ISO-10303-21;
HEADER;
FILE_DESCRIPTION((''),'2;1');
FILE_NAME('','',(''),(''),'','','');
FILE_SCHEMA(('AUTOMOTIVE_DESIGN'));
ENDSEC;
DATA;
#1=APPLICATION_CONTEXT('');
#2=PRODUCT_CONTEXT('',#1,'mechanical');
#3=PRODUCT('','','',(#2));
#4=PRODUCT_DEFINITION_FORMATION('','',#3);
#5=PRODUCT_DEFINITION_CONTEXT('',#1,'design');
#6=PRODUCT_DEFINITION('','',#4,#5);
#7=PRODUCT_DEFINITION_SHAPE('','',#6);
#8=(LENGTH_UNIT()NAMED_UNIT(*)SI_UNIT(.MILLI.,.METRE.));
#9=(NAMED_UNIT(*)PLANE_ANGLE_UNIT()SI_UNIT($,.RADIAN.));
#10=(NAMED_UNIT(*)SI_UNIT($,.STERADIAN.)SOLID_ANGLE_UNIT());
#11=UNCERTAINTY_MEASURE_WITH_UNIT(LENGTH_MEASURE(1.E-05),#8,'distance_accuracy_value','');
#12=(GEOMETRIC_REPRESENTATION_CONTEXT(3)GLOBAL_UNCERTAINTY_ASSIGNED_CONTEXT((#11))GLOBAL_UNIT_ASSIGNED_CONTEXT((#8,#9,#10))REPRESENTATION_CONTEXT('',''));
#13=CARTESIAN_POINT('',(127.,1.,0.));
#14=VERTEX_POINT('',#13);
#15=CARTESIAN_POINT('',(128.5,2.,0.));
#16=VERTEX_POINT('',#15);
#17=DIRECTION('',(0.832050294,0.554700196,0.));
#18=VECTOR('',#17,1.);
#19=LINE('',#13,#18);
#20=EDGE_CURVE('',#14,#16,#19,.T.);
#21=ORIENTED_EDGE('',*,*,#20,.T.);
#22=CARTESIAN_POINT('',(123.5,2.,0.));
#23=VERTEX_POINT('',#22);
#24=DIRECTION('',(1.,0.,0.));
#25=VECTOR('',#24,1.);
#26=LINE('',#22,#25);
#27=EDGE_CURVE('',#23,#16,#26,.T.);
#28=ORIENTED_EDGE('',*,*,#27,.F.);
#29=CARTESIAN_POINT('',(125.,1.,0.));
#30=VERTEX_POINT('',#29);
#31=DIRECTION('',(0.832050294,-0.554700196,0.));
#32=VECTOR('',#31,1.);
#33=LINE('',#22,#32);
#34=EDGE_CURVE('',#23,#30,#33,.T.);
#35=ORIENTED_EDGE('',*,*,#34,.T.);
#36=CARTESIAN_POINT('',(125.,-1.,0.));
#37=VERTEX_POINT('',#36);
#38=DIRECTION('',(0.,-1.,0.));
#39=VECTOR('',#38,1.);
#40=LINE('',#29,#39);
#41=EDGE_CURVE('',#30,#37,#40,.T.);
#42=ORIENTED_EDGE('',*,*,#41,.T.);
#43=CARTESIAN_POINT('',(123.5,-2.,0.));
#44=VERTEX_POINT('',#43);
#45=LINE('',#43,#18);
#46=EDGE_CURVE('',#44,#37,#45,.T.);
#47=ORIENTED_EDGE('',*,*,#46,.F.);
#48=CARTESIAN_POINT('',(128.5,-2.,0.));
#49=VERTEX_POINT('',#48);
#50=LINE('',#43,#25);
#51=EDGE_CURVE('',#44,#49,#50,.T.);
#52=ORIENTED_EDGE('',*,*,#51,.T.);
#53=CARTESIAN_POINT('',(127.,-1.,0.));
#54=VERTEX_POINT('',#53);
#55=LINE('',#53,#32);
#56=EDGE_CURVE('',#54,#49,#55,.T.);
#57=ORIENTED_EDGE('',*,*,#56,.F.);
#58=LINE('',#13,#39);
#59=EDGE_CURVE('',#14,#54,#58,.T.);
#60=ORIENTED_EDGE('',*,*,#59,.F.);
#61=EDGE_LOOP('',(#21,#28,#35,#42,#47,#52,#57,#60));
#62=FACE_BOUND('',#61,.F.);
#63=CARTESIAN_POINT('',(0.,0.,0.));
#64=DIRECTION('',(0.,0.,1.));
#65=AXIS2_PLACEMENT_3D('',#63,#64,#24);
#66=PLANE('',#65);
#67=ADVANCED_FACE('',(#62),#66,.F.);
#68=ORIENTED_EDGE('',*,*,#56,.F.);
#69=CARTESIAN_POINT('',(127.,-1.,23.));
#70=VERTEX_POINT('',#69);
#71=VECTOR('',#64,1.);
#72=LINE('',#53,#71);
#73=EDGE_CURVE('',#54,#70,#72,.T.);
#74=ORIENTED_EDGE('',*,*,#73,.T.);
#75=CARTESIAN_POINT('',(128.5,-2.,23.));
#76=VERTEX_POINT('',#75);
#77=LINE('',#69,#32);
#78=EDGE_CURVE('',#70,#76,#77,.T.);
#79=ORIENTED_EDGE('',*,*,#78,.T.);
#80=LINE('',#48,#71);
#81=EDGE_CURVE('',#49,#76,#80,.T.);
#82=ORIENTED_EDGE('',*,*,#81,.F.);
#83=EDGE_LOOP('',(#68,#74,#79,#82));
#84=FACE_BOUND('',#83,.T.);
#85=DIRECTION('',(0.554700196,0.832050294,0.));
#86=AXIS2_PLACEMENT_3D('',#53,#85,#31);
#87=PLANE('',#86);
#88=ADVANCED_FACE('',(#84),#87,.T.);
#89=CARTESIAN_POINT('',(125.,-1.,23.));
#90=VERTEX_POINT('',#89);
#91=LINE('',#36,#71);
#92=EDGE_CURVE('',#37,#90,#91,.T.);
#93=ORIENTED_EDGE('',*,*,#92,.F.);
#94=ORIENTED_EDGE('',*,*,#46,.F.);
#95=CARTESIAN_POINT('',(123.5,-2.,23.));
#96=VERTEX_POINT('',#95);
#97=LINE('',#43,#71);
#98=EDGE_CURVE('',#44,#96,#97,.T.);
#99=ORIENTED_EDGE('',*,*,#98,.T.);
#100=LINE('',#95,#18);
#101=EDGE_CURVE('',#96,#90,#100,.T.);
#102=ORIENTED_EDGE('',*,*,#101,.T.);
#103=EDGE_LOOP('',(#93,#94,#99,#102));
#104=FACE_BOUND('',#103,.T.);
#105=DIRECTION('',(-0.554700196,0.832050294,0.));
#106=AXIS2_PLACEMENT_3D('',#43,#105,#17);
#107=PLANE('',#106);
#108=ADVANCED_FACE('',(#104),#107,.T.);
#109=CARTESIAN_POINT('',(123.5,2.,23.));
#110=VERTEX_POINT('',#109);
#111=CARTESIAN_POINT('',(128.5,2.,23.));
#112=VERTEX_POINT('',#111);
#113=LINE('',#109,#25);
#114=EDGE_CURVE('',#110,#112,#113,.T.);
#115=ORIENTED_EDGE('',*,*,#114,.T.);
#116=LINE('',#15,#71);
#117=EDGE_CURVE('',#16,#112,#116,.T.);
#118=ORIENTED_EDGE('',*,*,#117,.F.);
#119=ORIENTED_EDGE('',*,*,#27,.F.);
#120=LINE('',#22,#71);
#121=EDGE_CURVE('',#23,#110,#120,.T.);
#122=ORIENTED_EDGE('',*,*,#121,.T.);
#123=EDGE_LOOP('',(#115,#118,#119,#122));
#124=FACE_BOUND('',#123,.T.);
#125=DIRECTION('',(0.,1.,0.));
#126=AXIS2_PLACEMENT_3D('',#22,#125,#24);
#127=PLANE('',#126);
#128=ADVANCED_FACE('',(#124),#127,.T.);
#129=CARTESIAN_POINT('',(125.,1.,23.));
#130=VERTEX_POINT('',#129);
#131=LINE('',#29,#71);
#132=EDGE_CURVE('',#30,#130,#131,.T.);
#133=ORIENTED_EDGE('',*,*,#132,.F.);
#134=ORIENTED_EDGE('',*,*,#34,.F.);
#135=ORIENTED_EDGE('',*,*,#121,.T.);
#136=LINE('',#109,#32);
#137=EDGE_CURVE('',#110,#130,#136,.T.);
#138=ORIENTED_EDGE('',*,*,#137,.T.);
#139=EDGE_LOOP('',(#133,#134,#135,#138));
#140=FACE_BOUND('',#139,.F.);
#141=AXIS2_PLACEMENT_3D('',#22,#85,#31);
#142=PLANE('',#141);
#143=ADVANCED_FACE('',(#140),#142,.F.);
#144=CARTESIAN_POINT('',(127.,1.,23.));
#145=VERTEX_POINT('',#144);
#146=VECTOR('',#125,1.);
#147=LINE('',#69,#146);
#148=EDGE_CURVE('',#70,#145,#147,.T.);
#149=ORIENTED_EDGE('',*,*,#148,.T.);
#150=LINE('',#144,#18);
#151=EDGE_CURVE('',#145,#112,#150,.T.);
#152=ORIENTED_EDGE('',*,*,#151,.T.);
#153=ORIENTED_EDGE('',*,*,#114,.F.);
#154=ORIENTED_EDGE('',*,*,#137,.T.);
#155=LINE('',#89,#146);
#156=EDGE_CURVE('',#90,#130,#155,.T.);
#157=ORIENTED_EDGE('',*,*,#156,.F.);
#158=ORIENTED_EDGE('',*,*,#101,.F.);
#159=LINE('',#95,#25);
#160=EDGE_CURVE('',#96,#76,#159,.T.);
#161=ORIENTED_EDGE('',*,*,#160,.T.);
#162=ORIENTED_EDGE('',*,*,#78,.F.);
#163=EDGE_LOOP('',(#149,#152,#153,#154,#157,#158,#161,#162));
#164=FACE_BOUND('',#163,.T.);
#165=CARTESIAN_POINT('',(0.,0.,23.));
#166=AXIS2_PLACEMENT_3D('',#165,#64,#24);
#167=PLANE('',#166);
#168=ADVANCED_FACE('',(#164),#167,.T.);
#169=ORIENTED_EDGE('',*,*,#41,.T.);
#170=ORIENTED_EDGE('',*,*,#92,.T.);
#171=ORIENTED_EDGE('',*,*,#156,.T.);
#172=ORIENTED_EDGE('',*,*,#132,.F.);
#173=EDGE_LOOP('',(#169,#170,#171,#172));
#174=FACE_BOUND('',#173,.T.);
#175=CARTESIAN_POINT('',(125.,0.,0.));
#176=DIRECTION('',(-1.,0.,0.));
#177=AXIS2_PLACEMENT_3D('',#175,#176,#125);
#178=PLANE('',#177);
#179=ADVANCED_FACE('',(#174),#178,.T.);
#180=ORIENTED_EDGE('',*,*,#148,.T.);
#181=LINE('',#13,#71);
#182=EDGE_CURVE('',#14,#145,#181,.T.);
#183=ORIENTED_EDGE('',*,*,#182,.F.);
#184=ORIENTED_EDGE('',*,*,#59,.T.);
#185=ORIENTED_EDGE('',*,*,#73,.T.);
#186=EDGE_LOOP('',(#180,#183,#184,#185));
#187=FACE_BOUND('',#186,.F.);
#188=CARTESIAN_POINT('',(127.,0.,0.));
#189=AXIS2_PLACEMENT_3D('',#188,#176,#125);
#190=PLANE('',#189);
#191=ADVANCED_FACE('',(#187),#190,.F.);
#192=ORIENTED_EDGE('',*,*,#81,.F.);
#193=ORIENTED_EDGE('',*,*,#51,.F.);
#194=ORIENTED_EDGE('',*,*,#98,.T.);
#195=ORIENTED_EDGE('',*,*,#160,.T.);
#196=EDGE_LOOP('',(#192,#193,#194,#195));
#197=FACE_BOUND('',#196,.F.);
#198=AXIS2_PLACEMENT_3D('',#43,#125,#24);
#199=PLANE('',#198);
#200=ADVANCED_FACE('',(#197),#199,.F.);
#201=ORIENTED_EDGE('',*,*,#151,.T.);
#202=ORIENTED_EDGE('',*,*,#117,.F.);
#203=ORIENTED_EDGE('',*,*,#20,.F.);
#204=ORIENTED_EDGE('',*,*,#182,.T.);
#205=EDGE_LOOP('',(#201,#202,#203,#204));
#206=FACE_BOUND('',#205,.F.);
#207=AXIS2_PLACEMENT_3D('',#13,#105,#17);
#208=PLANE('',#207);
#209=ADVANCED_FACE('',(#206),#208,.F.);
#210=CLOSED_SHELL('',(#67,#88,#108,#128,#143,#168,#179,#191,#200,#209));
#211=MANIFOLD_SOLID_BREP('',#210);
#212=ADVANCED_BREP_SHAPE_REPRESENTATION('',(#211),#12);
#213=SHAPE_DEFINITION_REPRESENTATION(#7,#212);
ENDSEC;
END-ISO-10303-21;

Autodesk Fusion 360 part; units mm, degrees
sketch "Sketch1" plane through (0, 0, 0) normal (0, 0, 1) x (1, 0, 0)
  line L0 (125, 0) -> (125, 1)
  line L1 (127, 0) -> (127, 1)
  line L2 (125, 0) -> (127, 0)
  line L3 (126, 0) -> (126, 2) construction
  line L4 (123.5, 2) -> (128.5, 2)
  line L5 (123.5, 2) -> (125, 1)
  line L6 (127, 1) -> (128.5, 2)
  line L7 (125, 0) -> (125, -1)
  line L8 (123.5, -2) -> (125, -1)
  line L9 (123.5, -2) -> (128.5, -2)
  line L10 (127, -1) -> (128.5, -2)
  line L11 (127, 0) -> (127, -1)
  line L12 (125, 0) -> (127, 0)
  dimension "d759" = 1
  dimension "d760" = 1
  dimension "d761" = 2
  dimension "d763" = 2
  dimension "d764" = 5
extrude "Extrude1" add sketch "Sketch1" along normal blind 23
